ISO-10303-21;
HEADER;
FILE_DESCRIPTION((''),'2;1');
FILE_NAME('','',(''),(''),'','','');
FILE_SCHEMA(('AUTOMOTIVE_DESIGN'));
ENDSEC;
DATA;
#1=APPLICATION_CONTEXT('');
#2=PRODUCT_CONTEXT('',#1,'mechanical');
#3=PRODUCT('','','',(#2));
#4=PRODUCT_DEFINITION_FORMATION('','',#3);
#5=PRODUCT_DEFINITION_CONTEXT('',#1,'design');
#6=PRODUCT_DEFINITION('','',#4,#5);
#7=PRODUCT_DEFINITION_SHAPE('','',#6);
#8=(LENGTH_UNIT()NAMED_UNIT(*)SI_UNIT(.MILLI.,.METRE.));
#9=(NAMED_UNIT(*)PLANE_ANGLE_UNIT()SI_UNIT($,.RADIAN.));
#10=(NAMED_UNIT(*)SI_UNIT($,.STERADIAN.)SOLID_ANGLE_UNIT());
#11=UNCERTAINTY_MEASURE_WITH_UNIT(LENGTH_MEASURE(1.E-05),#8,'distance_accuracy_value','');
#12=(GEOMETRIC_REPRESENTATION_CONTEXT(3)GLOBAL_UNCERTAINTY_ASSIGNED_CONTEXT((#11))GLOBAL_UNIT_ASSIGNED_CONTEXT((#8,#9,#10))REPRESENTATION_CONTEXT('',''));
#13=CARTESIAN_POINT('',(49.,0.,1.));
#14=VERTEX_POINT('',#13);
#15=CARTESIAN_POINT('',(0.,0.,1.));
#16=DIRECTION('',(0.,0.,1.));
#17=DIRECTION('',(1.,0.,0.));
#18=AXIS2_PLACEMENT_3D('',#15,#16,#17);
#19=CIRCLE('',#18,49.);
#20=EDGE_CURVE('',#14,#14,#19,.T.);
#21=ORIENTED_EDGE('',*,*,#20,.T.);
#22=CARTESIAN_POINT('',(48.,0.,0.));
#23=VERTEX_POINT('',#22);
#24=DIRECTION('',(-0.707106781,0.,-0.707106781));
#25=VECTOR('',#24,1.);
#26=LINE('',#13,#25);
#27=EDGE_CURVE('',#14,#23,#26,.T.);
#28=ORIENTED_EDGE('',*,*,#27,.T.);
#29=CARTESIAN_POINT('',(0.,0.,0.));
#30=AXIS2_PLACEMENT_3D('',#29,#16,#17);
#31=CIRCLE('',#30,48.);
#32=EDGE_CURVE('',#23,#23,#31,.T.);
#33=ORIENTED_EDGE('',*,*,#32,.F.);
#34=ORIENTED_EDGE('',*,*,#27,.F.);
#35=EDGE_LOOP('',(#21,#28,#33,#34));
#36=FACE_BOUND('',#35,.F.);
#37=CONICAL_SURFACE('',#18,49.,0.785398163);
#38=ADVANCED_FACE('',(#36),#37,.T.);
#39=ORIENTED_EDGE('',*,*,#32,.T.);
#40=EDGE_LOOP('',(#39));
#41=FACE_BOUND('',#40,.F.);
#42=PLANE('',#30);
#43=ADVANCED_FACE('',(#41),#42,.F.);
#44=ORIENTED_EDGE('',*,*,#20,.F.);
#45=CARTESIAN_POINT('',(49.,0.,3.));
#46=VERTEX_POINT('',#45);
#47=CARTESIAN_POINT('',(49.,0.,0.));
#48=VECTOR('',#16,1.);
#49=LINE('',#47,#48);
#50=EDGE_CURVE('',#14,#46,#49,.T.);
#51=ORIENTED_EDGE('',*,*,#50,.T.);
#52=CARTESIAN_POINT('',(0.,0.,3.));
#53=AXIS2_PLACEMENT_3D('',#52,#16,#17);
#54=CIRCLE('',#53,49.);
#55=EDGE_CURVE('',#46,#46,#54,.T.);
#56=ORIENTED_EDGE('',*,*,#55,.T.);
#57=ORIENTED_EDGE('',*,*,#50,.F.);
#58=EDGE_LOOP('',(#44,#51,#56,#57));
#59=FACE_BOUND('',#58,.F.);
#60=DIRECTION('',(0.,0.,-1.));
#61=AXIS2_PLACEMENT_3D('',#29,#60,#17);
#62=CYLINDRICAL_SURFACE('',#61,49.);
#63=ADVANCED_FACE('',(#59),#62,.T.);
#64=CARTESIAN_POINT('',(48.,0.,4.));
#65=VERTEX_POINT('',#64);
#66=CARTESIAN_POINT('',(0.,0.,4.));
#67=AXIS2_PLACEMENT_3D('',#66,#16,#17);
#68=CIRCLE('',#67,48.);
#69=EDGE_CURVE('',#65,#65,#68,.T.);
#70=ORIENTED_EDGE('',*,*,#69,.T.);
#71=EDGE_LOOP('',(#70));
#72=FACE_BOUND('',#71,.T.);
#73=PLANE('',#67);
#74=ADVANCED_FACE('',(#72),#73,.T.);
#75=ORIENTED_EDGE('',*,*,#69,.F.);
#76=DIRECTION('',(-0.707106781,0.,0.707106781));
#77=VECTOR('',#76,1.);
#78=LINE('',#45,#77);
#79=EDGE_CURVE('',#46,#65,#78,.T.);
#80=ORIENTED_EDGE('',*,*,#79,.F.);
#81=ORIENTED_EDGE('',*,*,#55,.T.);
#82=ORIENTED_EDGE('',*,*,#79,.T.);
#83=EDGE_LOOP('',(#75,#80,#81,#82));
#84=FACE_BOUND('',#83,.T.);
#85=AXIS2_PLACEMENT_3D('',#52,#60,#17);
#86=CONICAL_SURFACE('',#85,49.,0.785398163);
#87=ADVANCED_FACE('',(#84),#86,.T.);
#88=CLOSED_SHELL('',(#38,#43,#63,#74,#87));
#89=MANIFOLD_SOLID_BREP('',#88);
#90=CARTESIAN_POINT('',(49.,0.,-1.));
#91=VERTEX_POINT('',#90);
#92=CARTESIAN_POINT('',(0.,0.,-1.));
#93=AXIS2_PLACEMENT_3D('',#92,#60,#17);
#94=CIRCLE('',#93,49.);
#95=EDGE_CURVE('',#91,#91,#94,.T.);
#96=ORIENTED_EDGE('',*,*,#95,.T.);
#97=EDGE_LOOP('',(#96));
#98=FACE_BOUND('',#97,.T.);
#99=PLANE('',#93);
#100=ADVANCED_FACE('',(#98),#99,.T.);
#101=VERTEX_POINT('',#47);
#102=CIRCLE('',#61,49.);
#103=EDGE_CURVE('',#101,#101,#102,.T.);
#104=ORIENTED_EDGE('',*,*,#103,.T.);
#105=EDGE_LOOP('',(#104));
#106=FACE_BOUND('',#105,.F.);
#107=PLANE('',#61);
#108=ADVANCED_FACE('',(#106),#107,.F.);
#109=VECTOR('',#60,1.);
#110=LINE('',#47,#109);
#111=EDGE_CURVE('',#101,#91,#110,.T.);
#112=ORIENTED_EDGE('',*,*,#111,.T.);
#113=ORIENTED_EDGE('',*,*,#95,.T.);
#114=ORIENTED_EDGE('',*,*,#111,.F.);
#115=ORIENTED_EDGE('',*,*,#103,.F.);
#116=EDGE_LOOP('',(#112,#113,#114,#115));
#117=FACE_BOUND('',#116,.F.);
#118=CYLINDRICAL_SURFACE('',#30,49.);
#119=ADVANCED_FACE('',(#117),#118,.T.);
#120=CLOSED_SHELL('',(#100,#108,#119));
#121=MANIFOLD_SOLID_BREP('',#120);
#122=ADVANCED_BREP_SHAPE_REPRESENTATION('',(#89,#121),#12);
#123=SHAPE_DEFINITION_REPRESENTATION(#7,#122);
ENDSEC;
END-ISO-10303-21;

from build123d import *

# Parameters (mm, degrees)
F0_R     = 49
F1_DEPTH = 4
F2_SIZE  = 1
F3_R     = 49
F4_DEPTH = 1


with BuildPart() as f1:
    # F0 (on Top) → F1 (new body)
    with BuildSketch(Plane.XY):
        Circle(F0_R)
    extrude(amount=F1_DEPTH)

    # F2
    f2_edges = [f1.edges().sort_by_distance(p)[0] for p in [
        (-49, 0, 4),
        (-49, 0, 0),
    ]]
    chamfer(f2_edges, length=F2_SIZE)


with BuildPart() as f4:
    # F3 (on face) → F4 (new body)
    with BuildSketch(Plane(origin=(0, 0, 0), x_dir=(1, 0, 0), z_dir=(0, 0, -1))):
        Circle(F3_R)
    extrude(amount=F4_DEPTH)


solid = Compound([f1.part, f4.part])
